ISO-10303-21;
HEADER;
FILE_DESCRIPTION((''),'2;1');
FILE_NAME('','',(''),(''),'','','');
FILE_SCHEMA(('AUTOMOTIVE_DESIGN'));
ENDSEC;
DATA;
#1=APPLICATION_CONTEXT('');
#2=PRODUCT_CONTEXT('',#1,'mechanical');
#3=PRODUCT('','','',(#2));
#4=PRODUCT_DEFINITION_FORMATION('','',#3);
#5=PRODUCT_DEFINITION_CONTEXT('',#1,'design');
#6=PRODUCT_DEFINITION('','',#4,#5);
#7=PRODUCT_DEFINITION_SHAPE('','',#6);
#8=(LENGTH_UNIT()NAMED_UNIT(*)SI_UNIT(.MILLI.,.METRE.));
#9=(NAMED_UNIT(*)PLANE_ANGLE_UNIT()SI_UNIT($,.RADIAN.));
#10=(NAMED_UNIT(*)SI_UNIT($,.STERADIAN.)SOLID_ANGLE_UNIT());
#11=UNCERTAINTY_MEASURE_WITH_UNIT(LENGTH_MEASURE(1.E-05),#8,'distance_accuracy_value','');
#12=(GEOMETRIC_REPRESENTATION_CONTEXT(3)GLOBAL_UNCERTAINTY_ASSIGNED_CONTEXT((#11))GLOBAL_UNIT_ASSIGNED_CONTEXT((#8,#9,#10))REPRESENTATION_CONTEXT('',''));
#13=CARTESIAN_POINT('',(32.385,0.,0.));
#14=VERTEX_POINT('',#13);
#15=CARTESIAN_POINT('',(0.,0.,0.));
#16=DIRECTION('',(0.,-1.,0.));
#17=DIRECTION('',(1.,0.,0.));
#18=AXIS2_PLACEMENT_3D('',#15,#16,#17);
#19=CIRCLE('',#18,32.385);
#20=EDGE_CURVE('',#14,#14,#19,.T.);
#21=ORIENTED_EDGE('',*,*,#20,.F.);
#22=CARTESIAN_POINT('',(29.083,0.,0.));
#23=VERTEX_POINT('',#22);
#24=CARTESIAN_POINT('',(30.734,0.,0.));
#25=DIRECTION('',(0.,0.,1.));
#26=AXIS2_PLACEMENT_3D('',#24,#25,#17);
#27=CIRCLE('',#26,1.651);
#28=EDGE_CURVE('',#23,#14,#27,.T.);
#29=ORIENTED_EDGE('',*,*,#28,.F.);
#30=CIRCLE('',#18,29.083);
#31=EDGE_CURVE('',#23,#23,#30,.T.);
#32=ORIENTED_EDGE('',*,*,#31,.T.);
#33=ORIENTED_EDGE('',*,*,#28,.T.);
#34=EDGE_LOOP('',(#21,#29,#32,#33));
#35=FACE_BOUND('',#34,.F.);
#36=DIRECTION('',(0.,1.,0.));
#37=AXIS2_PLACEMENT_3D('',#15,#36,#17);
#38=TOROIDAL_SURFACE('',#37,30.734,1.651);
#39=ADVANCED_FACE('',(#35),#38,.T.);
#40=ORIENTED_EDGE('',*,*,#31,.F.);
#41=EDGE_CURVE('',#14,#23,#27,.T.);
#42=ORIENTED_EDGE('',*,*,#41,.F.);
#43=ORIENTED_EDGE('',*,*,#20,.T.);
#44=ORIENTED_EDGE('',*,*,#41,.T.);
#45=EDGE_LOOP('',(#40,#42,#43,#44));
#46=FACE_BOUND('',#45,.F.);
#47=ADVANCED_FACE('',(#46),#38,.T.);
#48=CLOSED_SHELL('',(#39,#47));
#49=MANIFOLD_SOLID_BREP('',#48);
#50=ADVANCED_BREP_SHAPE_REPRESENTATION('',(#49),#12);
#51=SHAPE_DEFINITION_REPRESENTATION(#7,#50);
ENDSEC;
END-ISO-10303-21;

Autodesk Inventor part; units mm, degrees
ref_plane "YZ Plane" through (0, 0, 0) normal (1, 0, 0) x (0, 1, 0)
ref_plane "XZ Plane" through (0, 0, 0) normal (0, 1, 0) x (-1, 0, 0)
ref_plane "XY Plane" through (0, 0, 0) normal (0, 0, 1) x (1, 0, 0)
sketch "Sketch1" plane through (0, 0, 0) normal (0, 0, 1) x (1, 0, 0)
  line L0 (0, 118.6728) -> (0, -144.4027)
  line L1 (0, 0) -> (30.734, 0)
  circle A0 centre (30.734, 0) radius 1.651
  dimension "d0" = 30.734
  dimension "d1" = 3.302
revolve "Revolution1" add sketch "Sketch1" angle 360 about axis through (0, 118.6728, 0) along (0, -1, 0)
properties part number "Aidan Sherry O-Ring"
